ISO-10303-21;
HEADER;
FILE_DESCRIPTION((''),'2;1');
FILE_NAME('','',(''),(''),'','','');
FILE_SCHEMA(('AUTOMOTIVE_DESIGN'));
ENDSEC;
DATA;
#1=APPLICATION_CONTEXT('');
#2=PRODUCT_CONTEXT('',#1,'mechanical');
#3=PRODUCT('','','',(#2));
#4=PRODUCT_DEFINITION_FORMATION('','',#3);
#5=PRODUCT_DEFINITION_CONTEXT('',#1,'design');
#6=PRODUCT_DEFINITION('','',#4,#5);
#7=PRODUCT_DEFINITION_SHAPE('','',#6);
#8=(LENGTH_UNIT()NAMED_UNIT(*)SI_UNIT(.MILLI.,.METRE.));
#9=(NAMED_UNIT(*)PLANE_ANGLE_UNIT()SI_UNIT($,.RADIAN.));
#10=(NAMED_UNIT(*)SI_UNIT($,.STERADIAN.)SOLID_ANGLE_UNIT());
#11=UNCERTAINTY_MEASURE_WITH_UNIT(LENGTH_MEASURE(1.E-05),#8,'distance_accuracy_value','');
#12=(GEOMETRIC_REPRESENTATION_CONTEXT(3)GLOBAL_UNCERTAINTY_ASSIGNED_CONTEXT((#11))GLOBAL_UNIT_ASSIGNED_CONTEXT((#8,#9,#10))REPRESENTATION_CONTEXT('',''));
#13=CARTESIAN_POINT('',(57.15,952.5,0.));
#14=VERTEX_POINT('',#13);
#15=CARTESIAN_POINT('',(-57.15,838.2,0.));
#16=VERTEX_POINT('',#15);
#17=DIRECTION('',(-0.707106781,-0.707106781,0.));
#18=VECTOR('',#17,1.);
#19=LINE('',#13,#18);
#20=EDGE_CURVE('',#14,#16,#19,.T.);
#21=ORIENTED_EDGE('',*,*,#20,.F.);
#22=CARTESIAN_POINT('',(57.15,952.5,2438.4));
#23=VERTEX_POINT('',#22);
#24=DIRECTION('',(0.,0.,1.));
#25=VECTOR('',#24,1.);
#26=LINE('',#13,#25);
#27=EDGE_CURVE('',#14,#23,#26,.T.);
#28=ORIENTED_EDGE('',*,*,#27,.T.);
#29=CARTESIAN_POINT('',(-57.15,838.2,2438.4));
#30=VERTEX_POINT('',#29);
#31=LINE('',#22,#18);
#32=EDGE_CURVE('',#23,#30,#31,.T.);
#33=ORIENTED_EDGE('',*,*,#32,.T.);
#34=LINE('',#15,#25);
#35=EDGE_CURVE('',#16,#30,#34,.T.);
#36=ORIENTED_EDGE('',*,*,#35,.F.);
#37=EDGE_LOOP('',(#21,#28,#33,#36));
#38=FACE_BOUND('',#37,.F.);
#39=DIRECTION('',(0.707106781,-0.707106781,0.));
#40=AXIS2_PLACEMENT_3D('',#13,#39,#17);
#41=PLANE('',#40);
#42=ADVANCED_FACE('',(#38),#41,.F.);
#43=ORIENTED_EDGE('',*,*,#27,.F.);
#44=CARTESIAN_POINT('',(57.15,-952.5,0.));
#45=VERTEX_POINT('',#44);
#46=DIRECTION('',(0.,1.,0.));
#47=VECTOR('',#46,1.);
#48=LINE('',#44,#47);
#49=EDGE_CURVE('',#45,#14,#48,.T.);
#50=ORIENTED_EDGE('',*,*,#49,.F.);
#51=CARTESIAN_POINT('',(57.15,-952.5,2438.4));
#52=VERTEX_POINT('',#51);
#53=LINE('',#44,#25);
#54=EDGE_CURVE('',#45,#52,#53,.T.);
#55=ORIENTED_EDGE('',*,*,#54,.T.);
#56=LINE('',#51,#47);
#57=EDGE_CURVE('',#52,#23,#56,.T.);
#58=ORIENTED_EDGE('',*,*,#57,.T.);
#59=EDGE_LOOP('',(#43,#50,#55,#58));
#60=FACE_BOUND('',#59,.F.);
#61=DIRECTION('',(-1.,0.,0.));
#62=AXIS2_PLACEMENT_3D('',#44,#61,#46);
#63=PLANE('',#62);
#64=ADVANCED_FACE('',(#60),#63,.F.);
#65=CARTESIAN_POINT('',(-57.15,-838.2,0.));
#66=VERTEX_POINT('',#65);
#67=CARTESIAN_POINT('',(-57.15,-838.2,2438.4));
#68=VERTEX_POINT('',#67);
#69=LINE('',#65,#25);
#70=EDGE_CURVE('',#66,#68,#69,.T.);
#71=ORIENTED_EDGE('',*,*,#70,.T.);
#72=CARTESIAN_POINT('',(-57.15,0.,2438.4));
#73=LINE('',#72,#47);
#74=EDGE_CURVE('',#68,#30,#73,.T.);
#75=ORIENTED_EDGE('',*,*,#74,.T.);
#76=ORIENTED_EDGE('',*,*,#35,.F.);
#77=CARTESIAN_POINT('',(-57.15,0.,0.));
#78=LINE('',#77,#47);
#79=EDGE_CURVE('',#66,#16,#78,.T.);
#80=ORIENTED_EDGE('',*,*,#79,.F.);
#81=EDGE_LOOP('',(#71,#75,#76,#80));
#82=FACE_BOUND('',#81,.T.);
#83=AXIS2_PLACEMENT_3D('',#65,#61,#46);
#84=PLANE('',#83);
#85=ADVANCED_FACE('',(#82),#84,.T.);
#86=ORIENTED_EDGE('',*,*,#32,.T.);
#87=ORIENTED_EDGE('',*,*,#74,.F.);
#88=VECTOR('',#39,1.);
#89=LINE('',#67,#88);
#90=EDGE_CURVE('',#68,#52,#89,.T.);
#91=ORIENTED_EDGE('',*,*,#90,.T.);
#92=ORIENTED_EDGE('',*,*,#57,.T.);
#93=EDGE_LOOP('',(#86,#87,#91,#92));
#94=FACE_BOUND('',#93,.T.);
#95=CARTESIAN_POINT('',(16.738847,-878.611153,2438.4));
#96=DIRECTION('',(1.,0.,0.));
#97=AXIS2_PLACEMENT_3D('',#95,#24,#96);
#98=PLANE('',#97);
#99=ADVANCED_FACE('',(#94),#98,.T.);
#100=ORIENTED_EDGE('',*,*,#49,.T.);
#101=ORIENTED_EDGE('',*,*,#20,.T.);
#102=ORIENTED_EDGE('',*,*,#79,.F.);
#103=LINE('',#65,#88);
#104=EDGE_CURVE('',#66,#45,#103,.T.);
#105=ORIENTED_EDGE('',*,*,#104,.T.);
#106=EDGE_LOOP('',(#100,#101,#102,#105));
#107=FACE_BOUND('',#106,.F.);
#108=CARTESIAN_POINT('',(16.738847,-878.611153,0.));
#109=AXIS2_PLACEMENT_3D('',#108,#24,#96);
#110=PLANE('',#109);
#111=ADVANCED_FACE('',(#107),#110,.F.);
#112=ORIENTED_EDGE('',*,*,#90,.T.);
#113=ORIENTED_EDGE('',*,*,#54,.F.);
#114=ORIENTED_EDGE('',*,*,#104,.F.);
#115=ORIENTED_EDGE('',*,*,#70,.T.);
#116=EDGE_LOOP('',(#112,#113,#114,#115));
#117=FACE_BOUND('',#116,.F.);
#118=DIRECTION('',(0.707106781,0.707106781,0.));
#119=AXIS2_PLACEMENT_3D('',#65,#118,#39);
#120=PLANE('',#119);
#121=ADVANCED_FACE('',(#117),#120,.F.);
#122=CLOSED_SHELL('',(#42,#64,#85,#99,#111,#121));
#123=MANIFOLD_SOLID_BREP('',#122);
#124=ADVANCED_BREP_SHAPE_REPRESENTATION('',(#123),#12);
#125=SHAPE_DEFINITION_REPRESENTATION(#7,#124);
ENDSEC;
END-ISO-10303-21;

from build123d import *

# Parameters (mm, degrees)
F0_W     = 114.3
F0_H     = 1676.4
F1_DEPTH = 2438.4


with BuildPart() as f1:
    # F0 (on Top) → F1 (new body)
    with BuildSketch(Plane.XY):
        Polygon((57.15, -952.5), (57.15, -838.2), (-57.15, -838.2), align=None)
        Rectangle(F0_W, F0_H)
        Polygon((-57.15, 838.2), (57.15, 838.2), (57.15, 952.5), align=None)
    extrude(amount=F1_DEPTH)


solid = f1.part
